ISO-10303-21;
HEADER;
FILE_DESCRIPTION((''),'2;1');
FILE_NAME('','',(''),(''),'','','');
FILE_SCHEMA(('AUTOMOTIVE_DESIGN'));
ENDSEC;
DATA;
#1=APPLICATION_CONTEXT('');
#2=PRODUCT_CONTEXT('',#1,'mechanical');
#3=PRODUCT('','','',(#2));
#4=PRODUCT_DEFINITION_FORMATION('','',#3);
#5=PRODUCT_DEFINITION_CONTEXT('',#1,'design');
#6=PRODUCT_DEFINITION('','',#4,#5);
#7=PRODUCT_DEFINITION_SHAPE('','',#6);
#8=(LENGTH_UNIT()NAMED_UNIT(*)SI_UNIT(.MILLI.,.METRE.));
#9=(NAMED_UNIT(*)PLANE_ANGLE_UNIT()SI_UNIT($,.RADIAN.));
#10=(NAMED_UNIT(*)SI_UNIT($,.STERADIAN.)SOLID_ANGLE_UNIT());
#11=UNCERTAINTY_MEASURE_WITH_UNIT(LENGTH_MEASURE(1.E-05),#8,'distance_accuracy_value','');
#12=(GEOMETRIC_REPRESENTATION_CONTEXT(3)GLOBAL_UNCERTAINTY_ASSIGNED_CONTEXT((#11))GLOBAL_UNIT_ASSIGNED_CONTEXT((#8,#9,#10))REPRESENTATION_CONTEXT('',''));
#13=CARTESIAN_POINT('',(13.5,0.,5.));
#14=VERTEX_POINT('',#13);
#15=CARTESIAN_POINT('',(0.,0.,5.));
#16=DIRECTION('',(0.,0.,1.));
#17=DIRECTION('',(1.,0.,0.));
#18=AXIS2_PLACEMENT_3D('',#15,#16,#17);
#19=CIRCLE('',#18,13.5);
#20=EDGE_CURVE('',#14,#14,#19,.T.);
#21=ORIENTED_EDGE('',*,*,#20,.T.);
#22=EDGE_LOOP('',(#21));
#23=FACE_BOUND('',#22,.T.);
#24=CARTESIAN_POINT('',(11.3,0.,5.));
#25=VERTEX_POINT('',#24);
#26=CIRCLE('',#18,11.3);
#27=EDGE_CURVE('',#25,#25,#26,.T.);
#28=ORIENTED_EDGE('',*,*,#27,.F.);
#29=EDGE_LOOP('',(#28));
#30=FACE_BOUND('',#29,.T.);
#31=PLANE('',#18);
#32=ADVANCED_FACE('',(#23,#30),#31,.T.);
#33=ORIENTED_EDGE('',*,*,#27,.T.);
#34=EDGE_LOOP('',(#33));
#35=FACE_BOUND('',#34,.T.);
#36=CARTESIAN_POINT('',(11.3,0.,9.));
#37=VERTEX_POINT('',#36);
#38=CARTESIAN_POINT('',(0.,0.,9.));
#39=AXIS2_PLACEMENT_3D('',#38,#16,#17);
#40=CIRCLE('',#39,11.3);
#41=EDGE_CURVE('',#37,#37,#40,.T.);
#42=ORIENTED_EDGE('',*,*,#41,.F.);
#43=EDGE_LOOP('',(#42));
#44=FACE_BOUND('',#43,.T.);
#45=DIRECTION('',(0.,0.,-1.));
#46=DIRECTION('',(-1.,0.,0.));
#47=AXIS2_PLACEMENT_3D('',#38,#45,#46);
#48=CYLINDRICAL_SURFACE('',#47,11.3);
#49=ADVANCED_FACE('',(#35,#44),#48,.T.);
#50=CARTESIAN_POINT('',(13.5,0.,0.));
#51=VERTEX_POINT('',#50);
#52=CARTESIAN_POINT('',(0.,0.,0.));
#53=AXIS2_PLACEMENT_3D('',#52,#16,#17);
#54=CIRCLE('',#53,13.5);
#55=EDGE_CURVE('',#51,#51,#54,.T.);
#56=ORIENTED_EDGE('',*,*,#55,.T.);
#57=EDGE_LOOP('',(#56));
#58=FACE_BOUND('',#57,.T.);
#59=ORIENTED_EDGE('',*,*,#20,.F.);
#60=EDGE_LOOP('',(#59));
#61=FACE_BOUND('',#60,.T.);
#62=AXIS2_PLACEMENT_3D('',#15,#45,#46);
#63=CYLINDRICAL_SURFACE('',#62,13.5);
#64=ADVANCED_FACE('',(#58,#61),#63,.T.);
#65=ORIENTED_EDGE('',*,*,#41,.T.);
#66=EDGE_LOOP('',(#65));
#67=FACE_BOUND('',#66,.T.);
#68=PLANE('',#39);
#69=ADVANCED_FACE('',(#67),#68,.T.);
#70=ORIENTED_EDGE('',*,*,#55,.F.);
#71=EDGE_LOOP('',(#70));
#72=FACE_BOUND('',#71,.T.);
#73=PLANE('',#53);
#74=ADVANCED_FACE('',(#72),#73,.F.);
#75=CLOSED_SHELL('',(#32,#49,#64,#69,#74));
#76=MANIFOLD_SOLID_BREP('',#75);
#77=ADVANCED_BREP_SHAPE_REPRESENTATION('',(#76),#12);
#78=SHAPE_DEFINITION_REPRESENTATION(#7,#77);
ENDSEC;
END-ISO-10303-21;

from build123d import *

# Parameters (mm, degrees)
AICAD_SKETCH_F001_R           = 13.5
AICAD_F001_BASE_EXTRUDE_DEPTH = 5
AICAD_SKETCH_F002_R           = 11.3
AICAD_F002_BOSS_EXTRUDE_DEPTH = 4


with BuildPart() as part:
    # AICAD_SKETCH_F001 → AICAD_F001_BASE_EXTRUDE (new body)
    with BuildSketch(Plane.XY):
        Circle(AICAD_SKETCH_F001_R)
    extrude(amount=AICAD_F001_BASE_EXTRUDE_DEPTH)

    # AICAD_SKETCH_F002 → AICAD_F002_BOSS_EXTRUDE (add)
    with BuildSketch(Plane.XY.offset(5)):
        Circle(AICAD_SKETCH_F002_R)
    extrude(amount=AICAD_F002_BOSS_EXTRUDE_DEPTH)


solid = part.part
